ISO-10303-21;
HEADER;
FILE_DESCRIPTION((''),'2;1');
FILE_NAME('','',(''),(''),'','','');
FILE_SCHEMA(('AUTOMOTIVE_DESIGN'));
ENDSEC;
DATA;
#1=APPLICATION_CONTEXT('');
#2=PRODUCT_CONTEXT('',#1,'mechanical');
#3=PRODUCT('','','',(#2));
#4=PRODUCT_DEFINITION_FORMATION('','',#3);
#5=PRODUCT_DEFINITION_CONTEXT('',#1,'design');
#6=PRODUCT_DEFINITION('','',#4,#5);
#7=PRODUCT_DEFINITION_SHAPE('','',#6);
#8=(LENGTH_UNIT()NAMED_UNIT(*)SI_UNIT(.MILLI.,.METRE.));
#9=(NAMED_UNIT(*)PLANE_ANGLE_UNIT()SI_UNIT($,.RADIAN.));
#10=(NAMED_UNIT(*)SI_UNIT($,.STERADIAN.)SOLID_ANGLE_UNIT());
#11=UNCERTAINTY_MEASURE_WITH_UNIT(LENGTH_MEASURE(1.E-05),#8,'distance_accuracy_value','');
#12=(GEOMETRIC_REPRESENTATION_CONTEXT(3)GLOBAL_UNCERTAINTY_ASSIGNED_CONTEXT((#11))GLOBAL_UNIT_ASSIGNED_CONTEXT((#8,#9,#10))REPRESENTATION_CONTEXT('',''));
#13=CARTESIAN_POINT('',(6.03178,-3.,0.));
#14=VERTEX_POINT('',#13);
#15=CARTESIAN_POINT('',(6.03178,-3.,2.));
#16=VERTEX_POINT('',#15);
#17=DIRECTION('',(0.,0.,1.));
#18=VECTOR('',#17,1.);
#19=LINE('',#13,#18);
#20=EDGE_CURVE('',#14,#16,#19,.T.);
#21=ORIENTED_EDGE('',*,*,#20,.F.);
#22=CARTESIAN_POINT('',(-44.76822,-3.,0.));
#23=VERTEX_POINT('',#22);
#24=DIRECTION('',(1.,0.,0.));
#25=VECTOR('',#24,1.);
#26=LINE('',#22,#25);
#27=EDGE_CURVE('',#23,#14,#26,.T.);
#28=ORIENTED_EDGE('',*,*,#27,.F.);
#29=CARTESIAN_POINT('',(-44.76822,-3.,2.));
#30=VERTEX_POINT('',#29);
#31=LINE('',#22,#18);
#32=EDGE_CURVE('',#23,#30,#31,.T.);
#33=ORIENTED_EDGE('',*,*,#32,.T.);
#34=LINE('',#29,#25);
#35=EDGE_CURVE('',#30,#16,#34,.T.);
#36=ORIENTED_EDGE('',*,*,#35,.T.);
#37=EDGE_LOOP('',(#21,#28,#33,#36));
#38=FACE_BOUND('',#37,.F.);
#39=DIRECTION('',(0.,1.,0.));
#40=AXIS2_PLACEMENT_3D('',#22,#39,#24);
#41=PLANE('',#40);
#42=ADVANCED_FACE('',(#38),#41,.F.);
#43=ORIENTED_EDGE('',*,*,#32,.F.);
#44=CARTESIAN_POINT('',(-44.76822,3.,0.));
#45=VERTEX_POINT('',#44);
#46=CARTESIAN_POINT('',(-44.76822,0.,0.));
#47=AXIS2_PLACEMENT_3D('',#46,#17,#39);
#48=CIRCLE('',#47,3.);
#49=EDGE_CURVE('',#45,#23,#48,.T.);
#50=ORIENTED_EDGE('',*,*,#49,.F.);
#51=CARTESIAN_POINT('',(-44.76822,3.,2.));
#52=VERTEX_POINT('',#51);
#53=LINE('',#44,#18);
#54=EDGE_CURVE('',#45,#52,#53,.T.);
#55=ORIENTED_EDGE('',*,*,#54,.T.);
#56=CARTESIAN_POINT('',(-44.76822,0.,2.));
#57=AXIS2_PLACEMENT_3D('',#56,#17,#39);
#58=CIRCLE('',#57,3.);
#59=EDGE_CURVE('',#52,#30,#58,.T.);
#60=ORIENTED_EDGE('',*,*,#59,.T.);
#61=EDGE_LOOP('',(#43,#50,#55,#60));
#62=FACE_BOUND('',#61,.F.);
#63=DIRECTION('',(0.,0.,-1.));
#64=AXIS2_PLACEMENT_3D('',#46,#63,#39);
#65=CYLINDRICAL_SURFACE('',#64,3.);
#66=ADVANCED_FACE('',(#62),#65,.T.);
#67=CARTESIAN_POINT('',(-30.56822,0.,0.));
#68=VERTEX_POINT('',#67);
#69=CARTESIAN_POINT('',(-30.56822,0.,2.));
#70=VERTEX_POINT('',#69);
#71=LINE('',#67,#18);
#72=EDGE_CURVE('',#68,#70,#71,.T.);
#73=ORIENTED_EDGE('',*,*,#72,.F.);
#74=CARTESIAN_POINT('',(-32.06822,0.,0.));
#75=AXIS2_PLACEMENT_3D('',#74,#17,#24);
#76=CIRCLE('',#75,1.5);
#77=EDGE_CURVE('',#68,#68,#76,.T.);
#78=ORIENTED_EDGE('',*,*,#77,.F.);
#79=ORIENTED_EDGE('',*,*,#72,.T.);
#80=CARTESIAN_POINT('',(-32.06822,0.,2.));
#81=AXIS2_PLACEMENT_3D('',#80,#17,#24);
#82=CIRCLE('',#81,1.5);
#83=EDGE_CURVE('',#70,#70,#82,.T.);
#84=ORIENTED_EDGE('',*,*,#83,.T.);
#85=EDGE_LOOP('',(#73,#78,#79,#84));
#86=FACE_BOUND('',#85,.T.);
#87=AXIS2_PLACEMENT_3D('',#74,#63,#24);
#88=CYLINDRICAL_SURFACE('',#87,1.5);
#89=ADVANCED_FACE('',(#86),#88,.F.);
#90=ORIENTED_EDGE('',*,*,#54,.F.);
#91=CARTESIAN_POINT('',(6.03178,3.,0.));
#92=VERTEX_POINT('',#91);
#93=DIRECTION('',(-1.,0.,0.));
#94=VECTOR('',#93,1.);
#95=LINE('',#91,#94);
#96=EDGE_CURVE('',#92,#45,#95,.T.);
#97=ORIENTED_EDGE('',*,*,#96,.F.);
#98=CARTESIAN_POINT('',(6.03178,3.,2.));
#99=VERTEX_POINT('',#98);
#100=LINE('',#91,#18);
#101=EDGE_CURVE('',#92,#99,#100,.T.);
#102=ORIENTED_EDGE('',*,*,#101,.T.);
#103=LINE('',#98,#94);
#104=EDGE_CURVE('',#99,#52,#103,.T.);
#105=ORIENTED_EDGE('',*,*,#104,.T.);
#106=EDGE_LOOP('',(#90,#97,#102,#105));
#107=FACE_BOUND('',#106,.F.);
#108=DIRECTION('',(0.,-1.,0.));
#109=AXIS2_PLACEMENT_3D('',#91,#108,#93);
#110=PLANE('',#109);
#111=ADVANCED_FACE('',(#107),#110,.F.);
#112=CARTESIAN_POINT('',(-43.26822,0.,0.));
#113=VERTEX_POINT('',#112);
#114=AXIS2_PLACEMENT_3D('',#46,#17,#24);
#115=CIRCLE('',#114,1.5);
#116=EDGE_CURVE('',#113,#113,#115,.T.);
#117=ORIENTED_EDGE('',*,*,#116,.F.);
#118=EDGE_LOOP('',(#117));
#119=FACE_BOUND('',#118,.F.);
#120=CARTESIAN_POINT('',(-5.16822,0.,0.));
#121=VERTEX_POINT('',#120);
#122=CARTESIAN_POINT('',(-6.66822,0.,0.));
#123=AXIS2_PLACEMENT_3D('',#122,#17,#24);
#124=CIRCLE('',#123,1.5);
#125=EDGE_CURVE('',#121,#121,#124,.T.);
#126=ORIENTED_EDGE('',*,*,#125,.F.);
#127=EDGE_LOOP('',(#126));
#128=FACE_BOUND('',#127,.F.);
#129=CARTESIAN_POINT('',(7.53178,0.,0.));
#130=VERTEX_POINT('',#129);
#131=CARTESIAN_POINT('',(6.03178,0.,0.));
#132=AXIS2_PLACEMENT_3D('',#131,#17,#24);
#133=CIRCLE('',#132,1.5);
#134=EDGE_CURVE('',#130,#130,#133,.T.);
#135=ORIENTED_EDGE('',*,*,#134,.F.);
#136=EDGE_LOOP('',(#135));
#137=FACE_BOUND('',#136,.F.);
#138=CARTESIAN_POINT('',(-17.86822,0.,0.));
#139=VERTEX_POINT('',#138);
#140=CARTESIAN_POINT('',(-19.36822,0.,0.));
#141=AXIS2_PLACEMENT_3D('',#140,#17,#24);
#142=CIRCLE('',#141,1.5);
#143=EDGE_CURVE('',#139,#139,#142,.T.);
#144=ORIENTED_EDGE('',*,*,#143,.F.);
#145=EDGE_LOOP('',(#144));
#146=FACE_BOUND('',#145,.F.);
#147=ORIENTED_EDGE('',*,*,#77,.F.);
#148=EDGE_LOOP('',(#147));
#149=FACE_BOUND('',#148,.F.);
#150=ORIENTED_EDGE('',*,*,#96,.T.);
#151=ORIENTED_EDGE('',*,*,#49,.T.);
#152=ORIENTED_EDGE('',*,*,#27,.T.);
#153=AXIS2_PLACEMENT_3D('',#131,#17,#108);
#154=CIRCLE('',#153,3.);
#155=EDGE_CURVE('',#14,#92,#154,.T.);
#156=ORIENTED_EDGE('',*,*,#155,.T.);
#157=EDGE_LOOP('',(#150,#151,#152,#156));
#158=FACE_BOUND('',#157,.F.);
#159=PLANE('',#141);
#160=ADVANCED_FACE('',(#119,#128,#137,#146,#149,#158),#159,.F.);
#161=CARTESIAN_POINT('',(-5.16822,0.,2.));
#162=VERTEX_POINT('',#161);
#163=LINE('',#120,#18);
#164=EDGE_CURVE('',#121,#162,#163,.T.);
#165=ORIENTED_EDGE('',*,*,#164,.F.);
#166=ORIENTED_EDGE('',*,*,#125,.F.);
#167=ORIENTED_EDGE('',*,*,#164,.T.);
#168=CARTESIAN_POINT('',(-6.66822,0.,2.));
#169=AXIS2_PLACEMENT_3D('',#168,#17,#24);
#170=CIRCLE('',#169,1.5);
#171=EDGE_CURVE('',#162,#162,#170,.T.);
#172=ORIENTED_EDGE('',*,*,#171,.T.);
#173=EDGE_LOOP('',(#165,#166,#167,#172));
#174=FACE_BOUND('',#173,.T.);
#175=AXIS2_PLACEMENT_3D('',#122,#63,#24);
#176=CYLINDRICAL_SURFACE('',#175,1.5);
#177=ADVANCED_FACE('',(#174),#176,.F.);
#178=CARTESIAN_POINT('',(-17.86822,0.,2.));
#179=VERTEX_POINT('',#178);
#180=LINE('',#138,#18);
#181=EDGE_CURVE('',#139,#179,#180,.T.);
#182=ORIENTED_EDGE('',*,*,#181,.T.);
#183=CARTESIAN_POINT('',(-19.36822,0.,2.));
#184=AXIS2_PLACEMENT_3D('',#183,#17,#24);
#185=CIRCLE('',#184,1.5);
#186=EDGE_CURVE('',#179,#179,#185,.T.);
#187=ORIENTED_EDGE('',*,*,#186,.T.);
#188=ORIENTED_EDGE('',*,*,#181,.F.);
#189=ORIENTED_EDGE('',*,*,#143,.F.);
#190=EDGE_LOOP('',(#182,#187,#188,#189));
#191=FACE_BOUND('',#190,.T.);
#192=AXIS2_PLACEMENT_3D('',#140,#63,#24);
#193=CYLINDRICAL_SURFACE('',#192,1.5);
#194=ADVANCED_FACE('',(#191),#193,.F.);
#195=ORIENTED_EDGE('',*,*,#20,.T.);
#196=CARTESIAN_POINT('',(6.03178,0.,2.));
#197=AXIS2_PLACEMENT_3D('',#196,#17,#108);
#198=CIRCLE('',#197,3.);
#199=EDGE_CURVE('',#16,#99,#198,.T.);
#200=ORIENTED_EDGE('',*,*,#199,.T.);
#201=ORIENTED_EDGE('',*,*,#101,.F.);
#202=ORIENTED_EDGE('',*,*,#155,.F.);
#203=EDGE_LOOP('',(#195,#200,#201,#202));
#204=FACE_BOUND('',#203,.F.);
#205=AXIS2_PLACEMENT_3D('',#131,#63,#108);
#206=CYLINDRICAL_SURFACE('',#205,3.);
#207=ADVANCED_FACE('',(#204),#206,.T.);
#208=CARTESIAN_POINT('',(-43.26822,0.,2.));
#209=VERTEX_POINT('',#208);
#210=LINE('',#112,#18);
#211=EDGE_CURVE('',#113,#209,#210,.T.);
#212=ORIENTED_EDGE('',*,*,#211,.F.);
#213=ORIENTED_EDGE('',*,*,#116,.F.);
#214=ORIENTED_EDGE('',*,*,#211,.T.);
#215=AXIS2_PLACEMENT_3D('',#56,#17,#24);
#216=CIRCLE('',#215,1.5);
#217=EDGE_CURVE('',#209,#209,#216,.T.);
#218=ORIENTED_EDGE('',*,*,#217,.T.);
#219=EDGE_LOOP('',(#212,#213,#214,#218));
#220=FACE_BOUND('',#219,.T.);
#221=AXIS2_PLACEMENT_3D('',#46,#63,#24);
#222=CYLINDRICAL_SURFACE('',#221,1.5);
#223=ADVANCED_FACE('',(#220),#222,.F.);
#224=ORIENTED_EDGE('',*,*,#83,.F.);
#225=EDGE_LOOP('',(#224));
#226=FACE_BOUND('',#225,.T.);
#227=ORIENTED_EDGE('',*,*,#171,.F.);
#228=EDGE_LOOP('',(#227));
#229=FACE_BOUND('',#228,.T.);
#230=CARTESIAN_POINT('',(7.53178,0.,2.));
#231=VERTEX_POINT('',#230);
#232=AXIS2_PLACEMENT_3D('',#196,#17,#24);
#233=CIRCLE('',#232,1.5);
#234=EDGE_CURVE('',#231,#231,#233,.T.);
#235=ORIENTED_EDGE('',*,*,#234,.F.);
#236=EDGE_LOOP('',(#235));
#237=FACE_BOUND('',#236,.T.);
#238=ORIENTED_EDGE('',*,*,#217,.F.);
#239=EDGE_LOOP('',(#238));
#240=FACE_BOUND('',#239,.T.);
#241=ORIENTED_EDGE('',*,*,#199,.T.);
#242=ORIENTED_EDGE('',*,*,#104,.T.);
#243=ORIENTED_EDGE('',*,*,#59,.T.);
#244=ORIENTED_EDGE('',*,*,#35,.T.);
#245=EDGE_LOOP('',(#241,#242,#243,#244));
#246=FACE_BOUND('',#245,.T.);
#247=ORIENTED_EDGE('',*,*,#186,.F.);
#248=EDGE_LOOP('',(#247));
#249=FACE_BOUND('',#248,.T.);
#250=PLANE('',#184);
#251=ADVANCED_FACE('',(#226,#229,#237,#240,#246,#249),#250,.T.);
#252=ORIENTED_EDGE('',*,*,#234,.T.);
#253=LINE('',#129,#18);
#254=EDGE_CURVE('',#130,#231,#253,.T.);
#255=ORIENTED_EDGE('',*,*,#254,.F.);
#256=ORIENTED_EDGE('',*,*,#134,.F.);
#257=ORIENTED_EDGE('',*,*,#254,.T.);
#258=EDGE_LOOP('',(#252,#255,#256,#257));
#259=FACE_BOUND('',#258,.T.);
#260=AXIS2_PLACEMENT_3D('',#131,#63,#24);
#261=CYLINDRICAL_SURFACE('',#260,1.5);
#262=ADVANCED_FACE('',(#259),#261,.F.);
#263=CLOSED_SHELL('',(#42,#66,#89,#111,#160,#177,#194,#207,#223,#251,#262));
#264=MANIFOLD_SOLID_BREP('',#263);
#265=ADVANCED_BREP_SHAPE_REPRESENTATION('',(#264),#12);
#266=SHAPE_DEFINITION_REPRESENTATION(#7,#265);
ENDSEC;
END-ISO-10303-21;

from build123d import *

# Parameters (mm, degrees)
F0_R     = 1.5
F1_DEPTH = 2


with BuildPart() as f1:
    # F0 (on Top) → F1 (new body)
    with BuildSketch(Plane.XY):
        with BuildLine():
            Line((6.03178, 3), (-44.76822, 3))
            ThreePointArc((-44.76822, 3), (-47.76822, 0), (-44.76822, -3))
            Line((-44.76822, -3), (6.03178, -3))
            ThreePointArc((6.03178, -3), (9.03178, 0), (6.03178, 3))
        make_face()
        with Locations((-44.76822, 0)):
            Circle(F0_R, mode=Mode.SUBTRACT)
        with Locations((-32.06822, 0)):
            Circle(F0_R, mode=Mode.SUBTRACT)
        with Locations((-19.36822, 0)):
            Circle(F0_R, mode=Mode.SUBTRACT)
        with Locations((-6.66822, 0)):
            Circle(F0_R, mode=Mode.SUBTRACT)
        with Locations((6.03178, 0)):
            Circle(F0_R, mode=Mode.SUBTRACT)
    extrude(amount=F1_DEPTH)


solid = f1.part
